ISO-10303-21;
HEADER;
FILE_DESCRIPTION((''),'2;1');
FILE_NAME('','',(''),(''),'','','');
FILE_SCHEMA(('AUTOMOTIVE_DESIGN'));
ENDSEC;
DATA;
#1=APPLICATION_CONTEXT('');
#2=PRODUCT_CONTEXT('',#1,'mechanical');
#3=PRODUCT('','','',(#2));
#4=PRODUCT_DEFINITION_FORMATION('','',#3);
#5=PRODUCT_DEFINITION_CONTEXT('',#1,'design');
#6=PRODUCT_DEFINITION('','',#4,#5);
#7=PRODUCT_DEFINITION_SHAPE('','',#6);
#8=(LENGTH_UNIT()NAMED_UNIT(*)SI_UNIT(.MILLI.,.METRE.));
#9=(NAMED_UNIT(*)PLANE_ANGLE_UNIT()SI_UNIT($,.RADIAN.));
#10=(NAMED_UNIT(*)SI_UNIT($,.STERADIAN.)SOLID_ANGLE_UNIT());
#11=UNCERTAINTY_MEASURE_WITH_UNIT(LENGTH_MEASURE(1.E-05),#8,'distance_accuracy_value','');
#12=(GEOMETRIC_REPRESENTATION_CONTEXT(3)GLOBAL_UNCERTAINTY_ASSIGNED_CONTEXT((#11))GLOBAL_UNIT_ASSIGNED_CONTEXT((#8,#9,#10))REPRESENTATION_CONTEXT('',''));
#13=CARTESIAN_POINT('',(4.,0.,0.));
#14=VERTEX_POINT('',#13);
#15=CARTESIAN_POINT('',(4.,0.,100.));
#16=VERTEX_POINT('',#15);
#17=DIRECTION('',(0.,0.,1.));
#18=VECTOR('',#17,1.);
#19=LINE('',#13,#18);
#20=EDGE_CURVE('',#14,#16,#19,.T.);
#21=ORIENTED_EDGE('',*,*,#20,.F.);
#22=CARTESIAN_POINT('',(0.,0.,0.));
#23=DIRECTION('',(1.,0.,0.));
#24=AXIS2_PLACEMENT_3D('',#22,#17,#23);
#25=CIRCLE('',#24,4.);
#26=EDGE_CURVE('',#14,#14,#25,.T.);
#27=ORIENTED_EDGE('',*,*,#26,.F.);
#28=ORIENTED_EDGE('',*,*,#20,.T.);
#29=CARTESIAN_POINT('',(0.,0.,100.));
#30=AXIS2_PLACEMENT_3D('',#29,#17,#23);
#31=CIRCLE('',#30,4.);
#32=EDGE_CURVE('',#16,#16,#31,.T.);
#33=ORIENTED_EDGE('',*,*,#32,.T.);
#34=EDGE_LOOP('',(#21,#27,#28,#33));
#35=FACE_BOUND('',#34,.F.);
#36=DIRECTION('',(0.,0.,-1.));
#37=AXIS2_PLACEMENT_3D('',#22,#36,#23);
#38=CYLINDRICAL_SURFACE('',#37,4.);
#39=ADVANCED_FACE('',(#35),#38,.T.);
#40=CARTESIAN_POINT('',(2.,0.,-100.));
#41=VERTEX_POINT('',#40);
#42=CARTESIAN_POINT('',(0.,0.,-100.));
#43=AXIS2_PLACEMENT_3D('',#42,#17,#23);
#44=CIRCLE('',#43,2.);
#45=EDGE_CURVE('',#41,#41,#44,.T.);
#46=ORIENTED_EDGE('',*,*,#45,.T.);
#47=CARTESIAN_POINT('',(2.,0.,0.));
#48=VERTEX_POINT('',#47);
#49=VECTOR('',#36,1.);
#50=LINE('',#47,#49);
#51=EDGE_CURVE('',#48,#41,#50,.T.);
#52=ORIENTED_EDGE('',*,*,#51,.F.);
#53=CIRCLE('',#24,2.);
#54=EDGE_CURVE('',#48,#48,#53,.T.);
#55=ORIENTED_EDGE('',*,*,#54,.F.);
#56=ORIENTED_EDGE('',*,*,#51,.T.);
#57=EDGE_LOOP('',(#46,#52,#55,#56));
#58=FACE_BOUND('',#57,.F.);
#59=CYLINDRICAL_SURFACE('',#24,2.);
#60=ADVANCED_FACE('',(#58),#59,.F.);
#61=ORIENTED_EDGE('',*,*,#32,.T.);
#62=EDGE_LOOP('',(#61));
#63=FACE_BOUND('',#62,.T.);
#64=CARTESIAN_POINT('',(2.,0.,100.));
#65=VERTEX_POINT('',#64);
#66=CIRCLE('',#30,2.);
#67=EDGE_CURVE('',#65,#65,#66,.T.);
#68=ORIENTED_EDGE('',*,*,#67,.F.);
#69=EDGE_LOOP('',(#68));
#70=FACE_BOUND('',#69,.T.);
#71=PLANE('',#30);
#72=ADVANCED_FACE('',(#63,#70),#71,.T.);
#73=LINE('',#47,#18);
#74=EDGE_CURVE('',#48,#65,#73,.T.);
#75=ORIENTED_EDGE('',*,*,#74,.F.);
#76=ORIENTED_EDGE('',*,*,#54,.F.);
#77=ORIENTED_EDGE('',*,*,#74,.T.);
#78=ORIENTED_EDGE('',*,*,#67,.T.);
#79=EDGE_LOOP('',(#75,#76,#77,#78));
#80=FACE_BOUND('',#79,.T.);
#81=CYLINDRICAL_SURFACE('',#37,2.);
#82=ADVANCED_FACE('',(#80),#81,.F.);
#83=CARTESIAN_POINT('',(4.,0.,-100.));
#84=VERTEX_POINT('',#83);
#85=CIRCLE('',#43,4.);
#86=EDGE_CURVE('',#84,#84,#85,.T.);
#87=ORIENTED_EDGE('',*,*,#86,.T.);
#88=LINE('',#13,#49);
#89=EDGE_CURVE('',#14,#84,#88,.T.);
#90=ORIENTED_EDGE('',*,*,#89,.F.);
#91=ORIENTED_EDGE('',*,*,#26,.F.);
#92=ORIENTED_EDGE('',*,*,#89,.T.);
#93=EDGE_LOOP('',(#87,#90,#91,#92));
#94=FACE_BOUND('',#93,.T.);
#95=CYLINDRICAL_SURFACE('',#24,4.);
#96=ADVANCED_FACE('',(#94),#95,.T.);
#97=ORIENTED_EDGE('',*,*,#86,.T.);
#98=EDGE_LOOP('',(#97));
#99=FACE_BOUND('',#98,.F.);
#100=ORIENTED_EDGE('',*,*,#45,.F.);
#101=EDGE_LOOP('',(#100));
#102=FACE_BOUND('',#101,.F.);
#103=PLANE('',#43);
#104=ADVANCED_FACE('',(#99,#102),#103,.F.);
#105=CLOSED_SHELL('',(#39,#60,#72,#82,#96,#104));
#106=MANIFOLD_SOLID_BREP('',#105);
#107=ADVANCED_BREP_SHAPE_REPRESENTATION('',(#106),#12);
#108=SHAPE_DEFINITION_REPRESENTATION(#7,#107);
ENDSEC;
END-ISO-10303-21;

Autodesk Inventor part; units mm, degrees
ref_plane "YZ Plane" through (0, 0, 0) normal (1, 0, 0) x (0, 1, 0)
ref_plane "XZ Plane" through (0, 0, 0) normal (0, 1, 0) x (-1, 0, 0)
ref_plane "XY Plane" through (0, 0, 0) normal (0, 0, 1) x (1, 0, 0)
sketch "Sketch1" plane through (0, 0, 0) normal (0, 0, 1) x (1, 0, 0)
  circle A0 centre (0, 0) radius 2
  circle A1 centre (0, 0) radius 4
  dimension "d0" = 8
  dimension "d1" = 4
extrude "Extrusion1" add sketch "Sketch1" along normal mid plane 200
properties part number "Stengeli"
